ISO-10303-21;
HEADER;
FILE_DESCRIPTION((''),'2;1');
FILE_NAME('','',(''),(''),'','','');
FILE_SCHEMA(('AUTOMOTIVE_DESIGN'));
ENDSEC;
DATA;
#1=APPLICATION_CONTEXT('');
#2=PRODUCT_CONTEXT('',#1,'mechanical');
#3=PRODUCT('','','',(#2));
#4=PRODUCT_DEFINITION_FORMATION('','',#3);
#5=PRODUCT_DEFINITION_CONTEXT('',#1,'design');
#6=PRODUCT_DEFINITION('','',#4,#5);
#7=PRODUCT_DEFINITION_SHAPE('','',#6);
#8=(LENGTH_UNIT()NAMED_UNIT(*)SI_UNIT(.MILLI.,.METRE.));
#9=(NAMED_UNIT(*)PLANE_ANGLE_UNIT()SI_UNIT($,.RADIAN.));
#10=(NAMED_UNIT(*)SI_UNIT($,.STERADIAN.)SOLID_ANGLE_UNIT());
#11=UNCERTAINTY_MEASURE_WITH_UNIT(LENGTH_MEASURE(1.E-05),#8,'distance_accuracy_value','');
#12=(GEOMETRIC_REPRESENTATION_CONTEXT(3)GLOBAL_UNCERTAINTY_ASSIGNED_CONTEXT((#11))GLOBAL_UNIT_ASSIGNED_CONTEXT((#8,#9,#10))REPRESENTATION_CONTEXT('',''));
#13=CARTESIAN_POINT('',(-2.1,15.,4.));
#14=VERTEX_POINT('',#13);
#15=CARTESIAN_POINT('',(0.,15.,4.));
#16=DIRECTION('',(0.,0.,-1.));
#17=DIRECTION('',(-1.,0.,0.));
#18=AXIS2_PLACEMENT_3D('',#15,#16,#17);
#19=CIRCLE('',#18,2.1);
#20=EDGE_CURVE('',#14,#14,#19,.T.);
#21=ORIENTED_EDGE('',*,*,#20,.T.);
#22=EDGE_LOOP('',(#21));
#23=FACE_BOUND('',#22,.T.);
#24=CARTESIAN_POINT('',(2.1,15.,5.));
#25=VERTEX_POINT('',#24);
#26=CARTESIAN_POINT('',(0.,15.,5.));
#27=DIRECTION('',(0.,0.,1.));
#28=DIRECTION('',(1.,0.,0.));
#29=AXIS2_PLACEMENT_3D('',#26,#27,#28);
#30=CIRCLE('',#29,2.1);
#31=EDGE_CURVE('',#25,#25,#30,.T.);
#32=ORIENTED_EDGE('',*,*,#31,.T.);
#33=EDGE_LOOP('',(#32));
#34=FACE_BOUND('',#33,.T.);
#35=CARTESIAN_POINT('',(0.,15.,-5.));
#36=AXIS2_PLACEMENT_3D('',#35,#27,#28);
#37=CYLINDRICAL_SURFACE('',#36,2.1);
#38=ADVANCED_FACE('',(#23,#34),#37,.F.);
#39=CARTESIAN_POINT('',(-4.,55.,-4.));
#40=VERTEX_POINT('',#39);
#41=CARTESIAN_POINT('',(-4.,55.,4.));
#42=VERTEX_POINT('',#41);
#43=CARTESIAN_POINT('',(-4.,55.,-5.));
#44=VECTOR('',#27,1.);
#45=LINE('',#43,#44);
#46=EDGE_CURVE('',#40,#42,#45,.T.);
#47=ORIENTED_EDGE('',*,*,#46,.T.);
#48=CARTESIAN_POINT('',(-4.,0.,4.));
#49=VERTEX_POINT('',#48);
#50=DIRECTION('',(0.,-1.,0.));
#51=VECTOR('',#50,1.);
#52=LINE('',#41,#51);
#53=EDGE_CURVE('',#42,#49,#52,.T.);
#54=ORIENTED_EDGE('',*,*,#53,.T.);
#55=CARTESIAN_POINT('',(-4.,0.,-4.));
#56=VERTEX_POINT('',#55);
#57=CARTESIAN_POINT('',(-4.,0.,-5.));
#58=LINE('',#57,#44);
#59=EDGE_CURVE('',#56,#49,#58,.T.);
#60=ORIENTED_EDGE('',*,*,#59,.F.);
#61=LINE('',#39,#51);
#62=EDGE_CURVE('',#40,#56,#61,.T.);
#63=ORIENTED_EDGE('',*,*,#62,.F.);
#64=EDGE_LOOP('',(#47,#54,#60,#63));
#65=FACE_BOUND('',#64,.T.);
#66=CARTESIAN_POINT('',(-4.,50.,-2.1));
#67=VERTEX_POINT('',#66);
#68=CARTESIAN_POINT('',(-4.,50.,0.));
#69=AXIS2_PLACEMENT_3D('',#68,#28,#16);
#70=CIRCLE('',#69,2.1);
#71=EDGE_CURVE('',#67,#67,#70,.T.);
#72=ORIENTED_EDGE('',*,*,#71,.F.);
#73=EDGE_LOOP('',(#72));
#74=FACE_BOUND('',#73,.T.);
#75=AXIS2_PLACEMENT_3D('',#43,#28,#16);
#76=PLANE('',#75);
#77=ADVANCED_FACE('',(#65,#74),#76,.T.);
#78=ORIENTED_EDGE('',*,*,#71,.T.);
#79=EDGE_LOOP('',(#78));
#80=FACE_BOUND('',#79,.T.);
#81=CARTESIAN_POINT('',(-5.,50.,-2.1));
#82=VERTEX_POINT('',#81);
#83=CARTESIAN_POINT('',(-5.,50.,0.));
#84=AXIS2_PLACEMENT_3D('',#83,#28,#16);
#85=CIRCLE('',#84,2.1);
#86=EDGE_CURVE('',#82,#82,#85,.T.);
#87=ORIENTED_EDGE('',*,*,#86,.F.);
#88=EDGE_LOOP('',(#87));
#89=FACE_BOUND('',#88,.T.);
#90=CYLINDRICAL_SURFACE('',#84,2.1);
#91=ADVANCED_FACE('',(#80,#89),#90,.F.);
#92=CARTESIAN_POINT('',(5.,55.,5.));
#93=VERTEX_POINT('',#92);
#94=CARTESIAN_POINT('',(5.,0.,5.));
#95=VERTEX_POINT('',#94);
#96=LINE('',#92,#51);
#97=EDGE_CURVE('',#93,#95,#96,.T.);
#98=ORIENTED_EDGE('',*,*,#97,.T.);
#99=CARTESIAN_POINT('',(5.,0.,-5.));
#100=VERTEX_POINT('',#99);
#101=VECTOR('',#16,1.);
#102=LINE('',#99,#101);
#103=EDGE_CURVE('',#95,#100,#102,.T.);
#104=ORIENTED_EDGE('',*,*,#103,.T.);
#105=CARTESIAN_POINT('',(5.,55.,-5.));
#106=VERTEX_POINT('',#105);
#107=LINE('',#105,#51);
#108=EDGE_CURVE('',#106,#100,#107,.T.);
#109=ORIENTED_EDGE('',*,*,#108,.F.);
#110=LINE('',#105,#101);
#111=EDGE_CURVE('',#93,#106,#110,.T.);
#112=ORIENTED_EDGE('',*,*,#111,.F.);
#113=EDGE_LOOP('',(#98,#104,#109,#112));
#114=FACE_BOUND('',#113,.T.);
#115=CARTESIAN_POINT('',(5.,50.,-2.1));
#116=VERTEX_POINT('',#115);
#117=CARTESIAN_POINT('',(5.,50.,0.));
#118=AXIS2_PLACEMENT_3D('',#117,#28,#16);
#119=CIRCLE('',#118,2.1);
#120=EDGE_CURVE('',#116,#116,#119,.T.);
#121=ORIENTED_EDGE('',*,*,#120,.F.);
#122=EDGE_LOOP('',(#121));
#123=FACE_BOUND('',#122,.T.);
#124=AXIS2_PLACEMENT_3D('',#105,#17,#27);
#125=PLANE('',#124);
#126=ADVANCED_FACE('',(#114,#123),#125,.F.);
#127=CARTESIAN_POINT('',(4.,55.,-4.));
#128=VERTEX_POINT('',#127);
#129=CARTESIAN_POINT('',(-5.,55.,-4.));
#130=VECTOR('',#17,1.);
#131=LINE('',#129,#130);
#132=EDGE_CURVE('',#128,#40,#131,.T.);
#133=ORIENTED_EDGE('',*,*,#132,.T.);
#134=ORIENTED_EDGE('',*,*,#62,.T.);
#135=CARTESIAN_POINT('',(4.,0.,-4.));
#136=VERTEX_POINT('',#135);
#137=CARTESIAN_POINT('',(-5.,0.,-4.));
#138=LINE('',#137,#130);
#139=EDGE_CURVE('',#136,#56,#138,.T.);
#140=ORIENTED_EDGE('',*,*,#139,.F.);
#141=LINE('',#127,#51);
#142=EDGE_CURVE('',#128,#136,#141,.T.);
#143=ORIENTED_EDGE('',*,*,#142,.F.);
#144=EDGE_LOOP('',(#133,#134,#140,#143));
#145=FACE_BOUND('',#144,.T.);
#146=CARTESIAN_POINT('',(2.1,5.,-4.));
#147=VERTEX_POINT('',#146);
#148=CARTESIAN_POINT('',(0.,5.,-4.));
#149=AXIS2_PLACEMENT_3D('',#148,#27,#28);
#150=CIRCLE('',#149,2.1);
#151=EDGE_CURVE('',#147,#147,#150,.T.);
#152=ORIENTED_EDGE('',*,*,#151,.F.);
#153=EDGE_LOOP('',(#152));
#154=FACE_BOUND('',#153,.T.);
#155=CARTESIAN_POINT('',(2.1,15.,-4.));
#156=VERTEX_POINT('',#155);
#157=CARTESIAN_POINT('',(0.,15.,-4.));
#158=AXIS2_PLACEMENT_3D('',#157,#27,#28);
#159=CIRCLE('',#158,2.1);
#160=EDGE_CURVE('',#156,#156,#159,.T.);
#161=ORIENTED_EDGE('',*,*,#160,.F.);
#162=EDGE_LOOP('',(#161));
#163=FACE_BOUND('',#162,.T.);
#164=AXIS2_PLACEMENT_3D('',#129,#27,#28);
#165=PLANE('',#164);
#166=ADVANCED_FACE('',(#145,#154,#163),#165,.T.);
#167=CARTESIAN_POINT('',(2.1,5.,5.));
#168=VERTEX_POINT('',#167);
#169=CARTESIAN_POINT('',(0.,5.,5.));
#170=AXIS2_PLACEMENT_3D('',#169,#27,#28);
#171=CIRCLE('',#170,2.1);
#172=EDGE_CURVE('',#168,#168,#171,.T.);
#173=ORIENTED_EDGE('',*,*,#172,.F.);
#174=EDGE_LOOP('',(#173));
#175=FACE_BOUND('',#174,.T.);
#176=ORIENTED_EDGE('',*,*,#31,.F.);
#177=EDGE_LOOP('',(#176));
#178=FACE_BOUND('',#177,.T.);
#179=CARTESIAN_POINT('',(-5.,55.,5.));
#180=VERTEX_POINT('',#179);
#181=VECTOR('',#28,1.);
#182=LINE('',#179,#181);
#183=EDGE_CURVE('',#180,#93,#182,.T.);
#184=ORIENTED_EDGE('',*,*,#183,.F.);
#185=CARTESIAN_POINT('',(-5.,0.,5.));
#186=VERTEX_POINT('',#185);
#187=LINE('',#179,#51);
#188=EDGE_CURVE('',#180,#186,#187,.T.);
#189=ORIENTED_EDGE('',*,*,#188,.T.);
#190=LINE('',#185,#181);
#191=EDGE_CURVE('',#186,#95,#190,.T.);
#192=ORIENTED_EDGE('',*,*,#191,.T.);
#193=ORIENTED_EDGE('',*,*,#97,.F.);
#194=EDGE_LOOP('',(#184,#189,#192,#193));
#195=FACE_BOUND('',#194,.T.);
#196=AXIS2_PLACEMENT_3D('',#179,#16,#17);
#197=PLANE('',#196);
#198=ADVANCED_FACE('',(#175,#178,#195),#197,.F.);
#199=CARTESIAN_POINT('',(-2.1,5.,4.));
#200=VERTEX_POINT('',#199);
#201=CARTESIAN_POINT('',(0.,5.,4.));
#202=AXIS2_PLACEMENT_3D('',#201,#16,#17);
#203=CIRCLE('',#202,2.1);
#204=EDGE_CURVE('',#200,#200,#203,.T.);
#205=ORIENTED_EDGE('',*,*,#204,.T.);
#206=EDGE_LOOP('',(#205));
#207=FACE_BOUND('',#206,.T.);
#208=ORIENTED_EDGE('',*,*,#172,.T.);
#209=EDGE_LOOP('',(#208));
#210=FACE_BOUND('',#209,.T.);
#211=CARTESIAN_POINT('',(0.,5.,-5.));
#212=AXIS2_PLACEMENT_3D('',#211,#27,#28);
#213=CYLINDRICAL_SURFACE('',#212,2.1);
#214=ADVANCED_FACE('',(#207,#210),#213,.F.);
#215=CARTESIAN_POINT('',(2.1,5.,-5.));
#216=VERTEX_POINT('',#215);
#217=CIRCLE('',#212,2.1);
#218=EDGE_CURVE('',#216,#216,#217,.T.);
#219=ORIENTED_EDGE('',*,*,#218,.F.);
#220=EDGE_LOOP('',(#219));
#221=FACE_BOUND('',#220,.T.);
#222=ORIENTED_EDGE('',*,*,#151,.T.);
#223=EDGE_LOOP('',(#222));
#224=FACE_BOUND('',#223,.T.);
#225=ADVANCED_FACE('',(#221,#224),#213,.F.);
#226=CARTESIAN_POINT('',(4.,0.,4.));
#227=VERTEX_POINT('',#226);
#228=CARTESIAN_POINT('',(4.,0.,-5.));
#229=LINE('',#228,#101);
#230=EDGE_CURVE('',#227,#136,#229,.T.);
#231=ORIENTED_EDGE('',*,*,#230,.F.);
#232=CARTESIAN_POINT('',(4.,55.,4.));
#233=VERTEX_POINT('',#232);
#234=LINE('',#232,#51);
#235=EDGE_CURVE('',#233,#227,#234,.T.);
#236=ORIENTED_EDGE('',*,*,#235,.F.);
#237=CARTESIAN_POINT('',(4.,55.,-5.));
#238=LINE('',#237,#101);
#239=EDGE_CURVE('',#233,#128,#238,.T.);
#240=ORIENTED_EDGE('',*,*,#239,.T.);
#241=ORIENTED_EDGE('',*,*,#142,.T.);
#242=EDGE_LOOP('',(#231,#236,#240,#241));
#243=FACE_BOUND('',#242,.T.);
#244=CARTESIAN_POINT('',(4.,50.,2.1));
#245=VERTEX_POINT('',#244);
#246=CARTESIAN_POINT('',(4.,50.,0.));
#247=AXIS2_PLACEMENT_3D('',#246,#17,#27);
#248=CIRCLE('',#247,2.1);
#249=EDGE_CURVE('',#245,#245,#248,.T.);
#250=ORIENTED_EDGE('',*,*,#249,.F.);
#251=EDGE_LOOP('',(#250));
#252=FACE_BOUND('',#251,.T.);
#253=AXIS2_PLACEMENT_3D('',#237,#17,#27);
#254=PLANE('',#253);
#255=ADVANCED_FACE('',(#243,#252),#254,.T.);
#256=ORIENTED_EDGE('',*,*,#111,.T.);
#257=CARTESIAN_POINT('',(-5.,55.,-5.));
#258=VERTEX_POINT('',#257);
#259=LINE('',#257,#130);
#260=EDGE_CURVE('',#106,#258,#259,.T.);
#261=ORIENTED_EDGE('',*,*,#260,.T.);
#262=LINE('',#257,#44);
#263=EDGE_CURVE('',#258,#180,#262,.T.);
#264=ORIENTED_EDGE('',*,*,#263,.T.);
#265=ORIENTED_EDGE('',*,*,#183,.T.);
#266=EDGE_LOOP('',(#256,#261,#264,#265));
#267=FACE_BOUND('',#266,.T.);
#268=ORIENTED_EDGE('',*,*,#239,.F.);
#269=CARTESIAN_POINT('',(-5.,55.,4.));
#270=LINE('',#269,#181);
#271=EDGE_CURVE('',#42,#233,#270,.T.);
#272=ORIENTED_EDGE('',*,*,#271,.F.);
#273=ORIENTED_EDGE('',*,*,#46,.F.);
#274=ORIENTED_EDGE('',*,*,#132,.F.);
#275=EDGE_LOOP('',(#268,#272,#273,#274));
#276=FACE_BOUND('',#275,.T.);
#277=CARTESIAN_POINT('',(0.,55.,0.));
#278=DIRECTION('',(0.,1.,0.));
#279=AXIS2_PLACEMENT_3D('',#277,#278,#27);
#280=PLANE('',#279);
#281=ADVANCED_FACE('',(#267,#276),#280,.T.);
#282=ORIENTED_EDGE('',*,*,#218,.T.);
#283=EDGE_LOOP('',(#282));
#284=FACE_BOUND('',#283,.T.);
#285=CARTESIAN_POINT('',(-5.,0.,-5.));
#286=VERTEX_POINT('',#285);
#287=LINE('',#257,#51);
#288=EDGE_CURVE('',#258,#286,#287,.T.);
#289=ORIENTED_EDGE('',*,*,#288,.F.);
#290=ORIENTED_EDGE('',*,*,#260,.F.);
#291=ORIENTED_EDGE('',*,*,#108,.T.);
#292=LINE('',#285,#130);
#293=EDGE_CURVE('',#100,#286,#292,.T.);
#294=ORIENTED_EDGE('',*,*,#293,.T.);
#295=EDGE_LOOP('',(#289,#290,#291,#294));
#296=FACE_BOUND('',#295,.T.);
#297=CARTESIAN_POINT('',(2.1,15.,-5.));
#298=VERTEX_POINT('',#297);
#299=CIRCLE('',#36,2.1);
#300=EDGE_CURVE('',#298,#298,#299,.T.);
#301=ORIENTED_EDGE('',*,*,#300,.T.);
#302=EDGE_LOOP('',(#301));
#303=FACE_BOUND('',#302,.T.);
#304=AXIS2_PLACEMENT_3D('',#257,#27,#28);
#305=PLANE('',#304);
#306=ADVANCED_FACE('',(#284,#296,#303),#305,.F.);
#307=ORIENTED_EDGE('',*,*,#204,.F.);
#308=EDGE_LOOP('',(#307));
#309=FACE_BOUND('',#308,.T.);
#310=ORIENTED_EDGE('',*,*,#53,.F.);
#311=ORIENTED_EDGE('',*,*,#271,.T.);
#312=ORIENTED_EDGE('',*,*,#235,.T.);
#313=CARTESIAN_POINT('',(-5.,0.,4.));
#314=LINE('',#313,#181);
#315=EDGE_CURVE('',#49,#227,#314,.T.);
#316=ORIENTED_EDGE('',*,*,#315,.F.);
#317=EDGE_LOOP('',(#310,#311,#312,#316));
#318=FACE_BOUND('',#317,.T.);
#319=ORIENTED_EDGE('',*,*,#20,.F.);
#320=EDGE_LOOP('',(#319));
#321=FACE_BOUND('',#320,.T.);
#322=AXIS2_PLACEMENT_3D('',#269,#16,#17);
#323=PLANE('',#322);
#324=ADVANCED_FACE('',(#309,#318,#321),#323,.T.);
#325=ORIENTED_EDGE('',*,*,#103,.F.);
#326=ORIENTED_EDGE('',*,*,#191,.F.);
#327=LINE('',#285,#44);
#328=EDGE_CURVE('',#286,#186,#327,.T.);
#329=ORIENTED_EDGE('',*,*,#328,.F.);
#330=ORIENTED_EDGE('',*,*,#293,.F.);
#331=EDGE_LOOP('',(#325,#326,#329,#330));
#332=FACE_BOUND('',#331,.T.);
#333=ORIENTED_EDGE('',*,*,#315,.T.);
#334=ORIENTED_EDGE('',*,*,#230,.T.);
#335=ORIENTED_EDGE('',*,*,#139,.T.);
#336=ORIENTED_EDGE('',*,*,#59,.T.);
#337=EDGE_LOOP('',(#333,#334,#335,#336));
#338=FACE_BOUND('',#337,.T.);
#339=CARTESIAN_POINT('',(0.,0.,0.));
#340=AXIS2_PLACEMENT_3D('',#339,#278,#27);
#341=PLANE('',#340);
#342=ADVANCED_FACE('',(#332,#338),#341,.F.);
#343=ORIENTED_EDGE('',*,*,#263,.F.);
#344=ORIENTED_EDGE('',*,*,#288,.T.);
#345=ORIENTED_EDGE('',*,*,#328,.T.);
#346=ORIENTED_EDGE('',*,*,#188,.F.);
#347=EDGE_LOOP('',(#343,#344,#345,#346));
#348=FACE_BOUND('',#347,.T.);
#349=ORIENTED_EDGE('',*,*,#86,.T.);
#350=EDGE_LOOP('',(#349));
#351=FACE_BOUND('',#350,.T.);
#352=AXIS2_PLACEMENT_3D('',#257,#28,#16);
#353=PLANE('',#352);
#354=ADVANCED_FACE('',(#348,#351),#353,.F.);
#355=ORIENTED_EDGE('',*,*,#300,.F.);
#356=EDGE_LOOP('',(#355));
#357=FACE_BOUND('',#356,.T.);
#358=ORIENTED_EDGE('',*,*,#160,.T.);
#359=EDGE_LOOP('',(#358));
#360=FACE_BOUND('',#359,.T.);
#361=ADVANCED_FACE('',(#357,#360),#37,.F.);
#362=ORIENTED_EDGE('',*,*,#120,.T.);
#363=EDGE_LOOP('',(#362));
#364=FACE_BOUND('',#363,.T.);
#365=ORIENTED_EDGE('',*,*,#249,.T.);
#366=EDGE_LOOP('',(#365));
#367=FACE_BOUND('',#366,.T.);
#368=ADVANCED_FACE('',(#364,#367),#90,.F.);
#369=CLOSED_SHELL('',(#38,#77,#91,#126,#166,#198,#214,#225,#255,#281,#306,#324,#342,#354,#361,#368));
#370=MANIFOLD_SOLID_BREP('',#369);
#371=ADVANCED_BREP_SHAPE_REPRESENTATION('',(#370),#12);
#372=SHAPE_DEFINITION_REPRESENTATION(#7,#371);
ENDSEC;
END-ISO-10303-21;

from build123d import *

# Parameters (mm, degrees)
SKETCH_1_W          = 10
SKETCH_1_H          = 10
SKETCH_1_W_2        = 8
SKETCH_1_H_2        = 8
EXTRUDE_1_DEPTH     = 55
SKETCH_2_R          = 2.1
CUT_EXTRUDE_1_DEPTH = 57.124860802
SKETCH_3_R          = 2.1
CUT_EXTRUDE_2_DEPTH = 57.124860802


with BuildPart() as part:
    # ｽｹｯﾁ1 → 押し出し-薄板1 (new body)
    with BuildSketch(Plane(origin=(0, 0, 0), x_dir=(1, 0, 0), z_dir=(0, 1, 0))):
        Rectangle(SKETCH_1_W, SKETCH_1_H)
        Rectangle(SKETCH_1_W_2, SKETCH_1_H_2, mode=Mode.SUBTRACT)
    extrude(amount=EXTRUDE_1_DEPTH)

    # ｽｹｯﾁ2 → ｶｯﾄ - 押し出し1 (cut, through all)
    with BuildSketch(Plane.XY.offset(5)):
        with Locations((0, 15)):
            Circle(SKETCH_2_R)
        with Locations((0, 5)):
            Circle(SKETCH_2_R)
    extrude(amount=-CUT_EXTRUDE_1_DEPTH, mode=Mode.SUBTRACT)

    # ｽｹｯﾁ3 → ｶｯﾄ - 押し出し2 (cut, through all)
    with BuildSketch(Plane(origin=(5, 0, 0), x_dir=(0, 0, -1), z_dir=(1, 0, 0))):
        with Locations((0, 50)):
            Circle(SKETCH_3_R)
    extrude(amount=-CUT_EXTRUDE_2_DEPTH, mode=Mode.SUBTRACT)


solid = part.part
